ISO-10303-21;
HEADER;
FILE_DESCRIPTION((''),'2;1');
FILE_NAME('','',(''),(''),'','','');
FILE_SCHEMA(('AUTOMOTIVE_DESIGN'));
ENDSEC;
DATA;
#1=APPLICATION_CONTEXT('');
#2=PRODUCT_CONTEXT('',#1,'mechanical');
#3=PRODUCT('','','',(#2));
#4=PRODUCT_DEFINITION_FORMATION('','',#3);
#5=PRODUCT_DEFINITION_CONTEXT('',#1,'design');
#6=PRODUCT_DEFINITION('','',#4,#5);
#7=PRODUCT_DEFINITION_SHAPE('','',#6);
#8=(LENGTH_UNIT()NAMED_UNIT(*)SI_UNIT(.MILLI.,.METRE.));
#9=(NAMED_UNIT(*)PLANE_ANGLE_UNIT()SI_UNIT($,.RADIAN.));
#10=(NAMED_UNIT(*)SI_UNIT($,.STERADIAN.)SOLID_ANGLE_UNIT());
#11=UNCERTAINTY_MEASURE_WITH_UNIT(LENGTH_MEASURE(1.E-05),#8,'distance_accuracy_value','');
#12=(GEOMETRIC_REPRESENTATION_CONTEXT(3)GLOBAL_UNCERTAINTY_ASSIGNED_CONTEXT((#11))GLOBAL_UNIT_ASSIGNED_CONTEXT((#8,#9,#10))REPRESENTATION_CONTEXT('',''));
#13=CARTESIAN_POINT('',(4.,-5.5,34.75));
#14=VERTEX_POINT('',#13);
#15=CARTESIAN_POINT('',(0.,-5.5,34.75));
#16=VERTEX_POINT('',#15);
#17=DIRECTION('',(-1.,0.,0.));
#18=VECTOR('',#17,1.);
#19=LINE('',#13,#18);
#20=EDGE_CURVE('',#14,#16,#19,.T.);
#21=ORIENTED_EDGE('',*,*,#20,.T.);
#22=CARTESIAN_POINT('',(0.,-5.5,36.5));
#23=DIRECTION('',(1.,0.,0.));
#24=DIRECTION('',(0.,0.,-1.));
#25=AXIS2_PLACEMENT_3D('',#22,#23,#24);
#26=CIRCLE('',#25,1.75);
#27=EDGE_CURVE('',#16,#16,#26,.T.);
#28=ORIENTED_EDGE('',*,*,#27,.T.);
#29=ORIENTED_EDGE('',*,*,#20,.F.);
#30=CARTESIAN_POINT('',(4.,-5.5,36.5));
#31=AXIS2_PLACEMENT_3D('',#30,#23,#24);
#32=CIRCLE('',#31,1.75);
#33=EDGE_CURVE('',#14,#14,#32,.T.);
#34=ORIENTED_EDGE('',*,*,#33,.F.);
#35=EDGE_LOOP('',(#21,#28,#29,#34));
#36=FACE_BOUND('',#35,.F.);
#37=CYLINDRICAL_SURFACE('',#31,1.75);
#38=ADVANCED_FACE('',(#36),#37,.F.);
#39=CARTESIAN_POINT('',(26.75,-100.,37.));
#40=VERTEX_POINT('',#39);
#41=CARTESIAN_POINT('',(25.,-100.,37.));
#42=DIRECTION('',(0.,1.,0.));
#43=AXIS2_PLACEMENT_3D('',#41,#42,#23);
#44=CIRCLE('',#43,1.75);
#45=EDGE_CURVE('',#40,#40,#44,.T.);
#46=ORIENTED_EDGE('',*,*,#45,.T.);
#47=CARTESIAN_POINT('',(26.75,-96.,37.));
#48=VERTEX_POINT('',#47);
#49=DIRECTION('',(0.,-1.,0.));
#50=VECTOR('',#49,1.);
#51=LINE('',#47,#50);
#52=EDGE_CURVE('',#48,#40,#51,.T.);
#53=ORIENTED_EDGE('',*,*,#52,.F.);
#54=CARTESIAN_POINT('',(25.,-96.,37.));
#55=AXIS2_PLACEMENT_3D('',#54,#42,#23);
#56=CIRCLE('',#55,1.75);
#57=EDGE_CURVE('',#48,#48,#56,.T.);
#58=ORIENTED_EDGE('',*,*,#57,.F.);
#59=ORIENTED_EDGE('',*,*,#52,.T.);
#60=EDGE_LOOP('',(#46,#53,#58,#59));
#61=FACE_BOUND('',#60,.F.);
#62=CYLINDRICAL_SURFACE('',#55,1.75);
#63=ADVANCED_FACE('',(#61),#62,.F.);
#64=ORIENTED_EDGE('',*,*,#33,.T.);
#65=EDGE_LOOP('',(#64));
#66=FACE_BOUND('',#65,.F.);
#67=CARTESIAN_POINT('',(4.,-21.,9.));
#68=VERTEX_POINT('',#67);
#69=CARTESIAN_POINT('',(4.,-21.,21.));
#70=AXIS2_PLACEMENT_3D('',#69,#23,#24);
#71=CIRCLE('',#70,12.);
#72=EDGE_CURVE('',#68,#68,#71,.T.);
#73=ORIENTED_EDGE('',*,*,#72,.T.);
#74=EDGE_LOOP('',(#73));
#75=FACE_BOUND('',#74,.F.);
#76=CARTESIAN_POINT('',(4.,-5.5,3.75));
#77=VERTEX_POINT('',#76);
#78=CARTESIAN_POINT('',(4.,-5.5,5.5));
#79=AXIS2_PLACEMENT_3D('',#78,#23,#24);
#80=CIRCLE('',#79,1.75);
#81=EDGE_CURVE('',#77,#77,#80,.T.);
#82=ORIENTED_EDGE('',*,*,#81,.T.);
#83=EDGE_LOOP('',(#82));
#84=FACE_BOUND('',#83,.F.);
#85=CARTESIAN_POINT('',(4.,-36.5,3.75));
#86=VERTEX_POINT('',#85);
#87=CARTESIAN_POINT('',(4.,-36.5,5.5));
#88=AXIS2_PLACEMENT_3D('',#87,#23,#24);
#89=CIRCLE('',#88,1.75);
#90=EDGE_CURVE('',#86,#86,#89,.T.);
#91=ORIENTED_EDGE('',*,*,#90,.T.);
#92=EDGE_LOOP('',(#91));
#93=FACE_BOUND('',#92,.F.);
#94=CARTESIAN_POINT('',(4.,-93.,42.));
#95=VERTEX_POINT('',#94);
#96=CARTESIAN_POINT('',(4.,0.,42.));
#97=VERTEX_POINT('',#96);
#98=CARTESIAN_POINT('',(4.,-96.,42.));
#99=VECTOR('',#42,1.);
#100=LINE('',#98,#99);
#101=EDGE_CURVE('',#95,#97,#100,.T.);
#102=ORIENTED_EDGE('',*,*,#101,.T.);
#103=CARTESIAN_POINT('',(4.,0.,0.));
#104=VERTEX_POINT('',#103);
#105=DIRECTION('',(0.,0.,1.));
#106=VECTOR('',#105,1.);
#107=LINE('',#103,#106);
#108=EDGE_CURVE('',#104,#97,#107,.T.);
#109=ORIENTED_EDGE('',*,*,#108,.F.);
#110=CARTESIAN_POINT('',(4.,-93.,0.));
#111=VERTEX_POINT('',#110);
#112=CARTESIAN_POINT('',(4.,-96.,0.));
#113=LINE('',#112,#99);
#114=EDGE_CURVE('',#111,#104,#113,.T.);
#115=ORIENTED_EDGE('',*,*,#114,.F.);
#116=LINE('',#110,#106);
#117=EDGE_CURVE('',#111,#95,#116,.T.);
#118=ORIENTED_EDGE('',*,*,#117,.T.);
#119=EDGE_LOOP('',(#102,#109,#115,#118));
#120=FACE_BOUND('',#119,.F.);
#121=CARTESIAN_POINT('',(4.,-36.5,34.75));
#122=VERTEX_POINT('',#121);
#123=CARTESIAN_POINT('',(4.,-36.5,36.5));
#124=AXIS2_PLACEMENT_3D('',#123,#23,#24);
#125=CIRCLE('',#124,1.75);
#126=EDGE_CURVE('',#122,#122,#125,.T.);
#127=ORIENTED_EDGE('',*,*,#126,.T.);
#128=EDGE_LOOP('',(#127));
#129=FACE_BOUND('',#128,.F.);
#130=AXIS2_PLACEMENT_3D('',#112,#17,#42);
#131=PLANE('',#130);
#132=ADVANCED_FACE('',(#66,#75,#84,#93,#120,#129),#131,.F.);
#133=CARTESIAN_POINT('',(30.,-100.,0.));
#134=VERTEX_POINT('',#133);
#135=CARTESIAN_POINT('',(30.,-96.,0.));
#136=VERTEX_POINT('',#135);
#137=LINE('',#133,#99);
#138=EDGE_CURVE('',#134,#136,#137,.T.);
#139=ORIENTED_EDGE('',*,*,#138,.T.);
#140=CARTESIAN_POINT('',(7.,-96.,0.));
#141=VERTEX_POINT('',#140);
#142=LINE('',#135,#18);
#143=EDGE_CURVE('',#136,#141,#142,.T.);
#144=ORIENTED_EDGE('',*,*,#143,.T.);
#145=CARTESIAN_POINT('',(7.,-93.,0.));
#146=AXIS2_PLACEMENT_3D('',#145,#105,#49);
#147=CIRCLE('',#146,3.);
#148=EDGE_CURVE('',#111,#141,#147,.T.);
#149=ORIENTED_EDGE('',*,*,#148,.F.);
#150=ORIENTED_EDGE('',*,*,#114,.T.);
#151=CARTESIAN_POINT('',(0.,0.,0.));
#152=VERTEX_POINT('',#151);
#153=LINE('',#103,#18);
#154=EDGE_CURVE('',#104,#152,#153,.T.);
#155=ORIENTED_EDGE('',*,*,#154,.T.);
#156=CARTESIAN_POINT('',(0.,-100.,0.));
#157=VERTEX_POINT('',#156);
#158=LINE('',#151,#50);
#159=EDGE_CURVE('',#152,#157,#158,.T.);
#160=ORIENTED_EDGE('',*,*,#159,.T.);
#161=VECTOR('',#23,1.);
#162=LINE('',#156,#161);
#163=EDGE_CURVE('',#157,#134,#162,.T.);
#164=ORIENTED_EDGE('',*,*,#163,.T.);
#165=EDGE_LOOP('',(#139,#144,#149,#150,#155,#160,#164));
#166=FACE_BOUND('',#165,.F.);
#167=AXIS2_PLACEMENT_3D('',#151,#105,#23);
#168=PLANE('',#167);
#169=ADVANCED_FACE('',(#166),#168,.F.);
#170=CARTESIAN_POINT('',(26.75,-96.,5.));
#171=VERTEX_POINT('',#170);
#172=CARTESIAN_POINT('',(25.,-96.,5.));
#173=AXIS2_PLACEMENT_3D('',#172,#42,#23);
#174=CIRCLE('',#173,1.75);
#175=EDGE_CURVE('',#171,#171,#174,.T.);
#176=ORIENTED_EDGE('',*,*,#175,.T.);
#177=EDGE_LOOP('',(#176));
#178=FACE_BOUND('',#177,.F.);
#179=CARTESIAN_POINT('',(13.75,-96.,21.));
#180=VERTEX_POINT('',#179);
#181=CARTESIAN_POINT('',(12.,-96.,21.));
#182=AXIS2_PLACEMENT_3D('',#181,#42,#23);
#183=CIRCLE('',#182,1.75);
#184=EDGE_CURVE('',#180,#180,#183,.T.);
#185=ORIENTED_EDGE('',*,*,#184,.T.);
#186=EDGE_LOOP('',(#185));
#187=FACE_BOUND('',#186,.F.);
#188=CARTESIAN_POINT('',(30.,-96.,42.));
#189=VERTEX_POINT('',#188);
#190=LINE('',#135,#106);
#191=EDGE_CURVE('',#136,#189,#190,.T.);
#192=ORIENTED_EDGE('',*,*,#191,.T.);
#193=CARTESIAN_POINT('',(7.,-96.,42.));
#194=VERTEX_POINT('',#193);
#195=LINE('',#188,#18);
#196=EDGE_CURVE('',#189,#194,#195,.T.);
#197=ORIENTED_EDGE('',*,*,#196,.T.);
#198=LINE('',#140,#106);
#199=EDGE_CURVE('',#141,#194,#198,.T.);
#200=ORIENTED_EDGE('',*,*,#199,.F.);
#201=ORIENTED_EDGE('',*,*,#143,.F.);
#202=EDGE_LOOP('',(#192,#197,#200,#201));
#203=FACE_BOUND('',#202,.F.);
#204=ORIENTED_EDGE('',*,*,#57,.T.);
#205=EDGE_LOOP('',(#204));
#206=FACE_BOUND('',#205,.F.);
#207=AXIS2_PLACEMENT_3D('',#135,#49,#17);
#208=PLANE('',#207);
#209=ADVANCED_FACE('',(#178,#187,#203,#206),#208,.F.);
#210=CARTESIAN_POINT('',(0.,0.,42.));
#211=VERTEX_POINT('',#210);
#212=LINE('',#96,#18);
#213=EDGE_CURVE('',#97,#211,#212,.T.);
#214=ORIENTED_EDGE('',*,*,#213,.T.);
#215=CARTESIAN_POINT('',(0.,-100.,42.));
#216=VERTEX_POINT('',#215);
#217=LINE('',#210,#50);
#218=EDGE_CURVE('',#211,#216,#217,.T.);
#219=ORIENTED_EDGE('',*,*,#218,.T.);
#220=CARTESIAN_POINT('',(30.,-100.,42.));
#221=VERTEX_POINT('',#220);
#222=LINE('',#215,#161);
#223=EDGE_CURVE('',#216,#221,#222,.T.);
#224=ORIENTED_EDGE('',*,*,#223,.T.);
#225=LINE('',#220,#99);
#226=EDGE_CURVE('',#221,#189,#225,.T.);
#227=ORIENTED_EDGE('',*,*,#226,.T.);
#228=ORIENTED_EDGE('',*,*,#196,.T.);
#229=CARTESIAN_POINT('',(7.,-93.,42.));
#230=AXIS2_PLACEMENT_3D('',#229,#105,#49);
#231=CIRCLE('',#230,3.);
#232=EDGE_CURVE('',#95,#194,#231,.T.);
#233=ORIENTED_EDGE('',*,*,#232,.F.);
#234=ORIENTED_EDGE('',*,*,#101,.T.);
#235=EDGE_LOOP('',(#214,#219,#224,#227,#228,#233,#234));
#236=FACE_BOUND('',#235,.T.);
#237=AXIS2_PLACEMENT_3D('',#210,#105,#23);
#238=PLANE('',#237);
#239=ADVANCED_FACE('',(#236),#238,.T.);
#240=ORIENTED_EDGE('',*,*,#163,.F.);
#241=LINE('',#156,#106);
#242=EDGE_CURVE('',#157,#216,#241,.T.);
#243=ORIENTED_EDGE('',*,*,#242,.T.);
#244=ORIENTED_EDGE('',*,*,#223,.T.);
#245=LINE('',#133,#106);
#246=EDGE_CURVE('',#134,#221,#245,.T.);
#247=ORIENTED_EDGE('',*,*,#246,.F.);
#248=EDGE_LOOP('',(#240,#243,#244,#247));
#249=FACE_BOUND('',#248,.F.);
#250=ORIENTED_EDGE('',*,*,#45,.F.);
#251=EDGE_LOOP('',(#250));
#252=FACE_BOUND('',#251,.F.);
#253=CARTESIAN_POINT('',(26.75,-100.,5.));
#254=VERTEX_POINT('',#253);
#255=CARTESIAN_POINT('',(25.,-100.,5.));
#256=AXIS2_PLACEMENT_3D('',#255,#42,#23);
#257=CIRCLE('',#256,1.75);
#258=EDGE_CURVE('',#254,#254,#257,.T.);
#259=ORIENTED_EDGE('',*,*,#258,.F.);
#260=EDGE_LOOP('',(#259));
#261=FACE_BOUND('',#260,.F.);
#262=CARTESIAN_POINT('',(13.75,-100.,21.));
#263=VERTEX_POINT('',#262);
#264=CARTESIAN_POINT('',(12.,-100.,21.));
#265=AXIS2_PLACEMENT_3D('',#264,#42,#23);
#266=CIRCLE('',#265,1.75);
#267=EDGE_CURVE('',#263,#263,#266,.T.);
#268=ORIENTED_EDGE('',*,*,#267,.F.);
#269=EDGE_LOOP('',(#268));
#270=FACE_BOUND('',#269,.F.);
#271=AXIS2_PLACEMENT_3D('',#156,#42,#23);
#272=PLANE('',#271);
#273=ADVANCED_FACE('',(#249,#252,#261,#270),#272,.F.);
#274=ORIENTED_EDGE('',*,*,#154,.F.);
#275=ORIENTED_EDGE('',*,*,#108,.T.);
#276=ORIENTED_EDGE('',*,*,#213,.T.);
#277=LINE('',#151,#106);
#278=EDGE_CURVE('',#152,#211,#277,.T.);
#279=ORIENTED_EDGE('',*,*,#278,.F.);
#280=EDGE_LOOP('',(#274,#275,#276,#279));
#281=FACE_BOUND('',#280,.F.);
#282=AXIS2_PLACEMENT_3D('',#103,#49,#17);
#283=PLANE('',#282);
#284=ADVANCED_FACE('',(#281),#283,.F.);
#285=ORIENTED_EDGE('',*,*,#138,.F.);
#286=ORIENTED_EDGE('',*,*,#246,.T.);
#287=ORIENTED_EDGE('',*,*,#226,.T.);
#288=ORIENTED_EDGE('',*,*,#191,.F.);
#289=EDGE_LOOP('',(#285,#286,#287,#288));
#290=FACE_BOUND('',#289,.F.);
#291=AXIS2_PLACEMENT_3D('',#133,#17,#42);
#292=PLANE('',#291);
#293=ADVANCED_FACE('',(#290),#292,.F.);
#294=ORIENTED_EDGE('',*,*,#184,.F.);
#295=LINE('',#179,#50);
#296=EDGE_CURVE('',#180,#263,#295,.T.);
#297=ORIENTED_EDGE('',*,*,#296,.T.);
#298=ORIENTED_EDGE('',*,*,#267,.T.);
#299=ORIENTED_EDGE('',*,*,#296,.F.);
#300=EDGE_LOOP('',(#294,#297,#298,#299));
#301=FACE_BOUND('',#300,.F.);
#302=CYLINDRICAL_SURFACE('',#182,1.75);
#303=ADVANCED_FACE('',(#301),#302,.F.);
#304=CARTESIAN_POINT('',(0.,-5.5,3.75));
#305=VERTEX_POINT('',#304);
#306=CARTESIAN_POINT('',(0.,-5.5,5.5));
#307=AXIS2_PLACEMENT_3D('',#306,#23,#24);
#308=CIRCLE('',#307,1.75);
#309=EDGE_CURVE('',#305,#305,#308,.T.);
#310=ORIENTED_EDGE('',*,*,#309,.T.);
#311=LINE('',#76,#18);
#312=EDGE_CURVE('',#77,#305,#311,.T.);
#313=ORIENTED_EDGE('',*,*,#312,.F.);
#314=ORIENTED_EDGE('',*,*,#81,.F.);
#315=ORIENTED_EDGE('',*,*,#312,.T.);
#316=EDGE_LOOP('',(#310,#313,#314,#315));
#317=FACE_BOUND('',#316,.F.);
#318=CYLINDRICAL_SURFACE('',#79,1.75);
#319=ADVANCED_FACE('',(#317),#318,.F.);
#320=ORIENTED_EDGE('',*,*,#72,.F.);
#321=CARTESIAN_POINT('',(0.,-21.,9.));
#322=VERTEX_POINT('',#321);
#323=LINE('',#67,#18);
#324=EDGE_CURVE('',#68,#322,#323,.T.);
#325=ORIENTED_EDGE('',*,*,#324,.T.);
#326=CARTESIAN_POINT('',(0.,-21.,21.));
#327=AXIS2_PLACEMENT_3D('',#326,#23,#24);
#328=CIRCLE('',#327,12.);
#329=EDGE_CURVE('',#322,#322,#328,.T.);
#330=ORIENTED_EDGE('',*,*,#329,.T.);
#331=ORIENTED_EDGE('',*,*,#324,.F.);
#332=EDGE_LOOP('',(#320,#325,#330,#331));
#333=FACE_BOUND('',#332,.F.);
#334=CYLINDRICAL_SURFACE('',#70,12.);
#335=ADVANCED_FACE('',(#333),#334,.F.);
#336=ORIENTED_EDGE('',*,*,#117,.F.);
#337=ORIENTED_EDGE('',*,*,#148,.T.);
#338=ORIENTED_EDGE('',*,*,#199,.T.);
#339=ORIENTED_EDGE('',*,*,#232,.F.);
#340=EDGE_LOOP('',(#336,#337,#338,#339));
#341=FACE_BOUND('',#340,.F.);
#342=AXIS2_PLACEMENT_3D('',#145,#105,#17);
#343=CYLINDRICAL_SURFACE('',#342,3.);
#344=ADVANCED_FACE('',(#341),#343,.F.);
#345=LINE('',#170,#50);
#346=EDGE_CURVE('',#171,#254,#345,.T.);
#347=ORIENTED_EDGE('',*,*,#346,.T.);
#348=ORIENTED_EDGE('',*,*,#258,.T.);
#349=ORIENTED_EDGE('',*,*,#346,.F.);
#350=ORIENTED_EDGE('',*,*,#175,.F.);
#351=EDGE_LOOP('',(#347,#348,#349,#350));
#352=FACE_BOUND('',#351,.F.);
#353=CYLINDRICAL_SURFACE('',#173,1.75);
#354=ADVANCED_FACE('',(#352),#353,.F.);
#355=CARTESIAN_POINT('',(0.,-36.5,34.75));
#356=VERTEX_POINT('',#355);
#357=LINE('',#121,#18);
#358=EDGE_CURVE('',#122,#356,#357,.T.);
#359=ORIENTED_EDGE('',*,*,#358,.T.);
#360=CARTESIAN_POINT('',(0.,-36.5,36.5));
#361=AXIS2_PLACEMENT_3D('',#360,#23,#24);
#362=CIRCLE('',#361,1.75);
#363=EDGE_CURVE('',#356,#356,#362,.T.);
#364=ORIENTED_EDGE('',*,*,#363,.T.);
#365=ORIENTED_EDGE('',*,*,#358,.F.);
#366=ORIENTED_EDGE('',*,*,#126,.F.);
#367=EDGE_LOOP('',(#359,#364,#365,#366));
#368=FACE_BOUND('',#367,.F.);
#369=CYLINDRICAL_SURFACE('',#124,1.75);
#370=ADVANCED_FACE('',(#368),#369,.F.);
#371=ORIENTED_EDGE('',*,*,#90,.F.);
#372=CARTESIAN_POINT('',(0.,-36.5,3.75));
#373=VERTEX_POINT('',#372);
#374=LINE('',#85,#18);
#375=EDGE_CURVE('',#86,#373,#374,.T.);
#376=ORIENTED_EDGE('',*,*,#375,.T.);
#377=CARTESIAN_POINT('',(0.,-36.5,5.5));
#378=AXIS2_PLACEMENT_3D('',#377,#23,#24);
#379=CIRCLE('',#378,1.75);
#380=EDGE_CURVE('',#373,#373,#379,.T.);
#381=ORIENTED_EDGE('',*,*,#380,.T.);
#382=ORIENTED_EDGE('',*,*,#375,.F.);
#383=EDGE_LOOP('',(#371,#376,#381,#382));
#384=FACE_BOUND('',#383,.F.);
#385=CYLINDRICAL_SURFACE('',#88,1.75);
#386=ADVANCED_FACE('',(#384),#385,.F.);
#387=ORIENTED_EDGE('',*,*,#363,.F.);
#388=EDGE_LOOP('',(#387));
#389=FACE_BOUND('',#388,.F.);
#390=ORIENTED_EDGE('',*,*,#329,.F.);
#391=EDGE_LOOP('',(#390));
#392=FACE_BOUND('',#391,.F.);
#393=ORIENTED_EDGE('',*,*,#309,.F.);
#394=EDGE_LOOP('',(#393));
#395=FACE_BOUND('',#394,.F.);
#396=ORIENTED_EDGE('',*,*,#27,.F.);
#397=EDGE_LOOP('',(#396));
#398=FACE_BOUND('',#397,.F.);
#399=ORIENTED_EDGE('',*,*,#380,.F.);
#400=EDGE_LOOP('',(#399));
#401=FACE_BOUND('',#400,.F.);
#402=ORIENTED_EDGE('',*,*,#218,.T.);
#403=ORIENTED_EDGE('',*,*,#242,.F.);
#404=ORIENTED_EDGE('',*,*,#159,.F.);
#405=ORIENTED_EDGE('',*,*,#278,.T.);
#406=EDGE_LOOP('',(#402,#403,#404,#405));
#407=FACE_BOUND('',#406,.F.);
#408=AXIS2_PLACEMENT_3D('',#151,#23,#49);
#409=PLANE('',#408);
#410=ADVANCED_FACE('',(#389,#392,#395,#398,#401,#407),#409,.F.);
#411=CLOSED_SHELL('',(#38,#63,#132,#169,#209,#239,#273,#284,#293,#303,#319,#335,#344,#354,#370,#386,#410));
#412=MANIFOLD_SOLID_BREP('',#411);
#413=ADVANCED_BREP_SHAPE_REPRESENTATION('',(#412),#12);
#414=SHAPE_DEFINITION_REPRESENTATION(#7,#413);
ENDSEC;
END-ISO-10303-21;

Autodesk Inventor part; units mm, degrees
ref_plane "YZ Plane" through (0, 0, 0) normal (1, 0, 0) x (0, 1, 0)
ref_plane "XZ Plane" through (0, 0, 0) normal (0, 1, 0) x (-1, 0, 0)
ref_plane "XY Plane" through (0, 0, 0) normal (0, 0, 1) x (1, 0, 0)
sketch "Sketch1" plane through (0, 0, 0) normal (0, 0, 1) x (1, 0, 0)
  line L0 (0, 0) -> (0, -100)
  line L1 (0, -100) -> (30, -100)
  line L2 (30, -100) -> (30, -96)
  line L3 (30, -96) -> (4, -96)
  line L4 (4, -96) -> (4, 0)
  line L5 (4, 0) -> (0, 0)
  dimension "d0" = 100
  dimension "d1" = 30
  dimension "d2" = 4
  dimension "d3" = 26
extrude "Extrusion1" add sketch "Sketch1" along normal blind 42
sketch "Sketch2" plane through (4, -96, 0) normal (1, 0, 0) x (0, 0, -1)
  line L0 (-42, 96) -> (-42, -4) projected
  line L1 (0, 96) -> (0, -4) projected
  line L2 (-42, 96) -> (0, 96)
  line L3 (0, 96) -> (0, 0)
  line L4 (0, 0) -> (-42, 0)
  line L5 (-42, 0) -> (-42, 96)
  circle A0 centre (-36.5, 90.5) radius 1.75
  circle A1 centre (-5.5, 90.5) radius 1.75
  circle A2 centre (-36.5, 59.5) radius 1.75
  circle A3 centre (-5.5, 59.5) radius 1.75
  circle A4 centre (-21, 75) radius 12
  dimension "d6" = 96
  dimension "d7" = 3.5
  dimension "d8" = 5.5
  dimension "d9" = 5.5
  dimension "d10" = 3.5
  dimension "d11" = 5.5
  dimension "d12" = 5.5
  dimension "d14" = 3.5
  dimension "d15" = 3.5
  dimension "d16" = 31
  dimension "d17" = 31
  dimension "d18" = 5.5
  dimension "d19" = 5.5
  dimension "d20" = 24
  dimension "d21" = 21
  dimension "d22" = 15.5
extrude "Extrusion2" cut sketch "Sketch2" against normal blind 4 contours A0 | A1 | A2 | A3 | A4
sketch "Sketch3" plane through (4, -96, 0) normal (0, 1, 0) x (1, 0, 0)
  line L0 (-4, 0) -> (-4, -42) projected
  line L1 (26, 0) -> (26, -42) projected
  line L2 (-4, 0) -> (26, 0)
  line L3 (26, 0) -> (26, -42)
  line L4 (26, -42) -> (-4, -42)
  line L5 (-4, -42) -> (-4, 0)
  circle A0 centre (21, -5) radius 1.75
  circle A1 centre (21, -37) radius 1.75
  circle A2 centre (8, -21) radius 1.75
  dimension "d25" = 3.5
  dimension "d26" = 3.5
  dimension "d27" = 3.5
  dimension "d28" = 5
  dimension "d29" = 5
  dimension "d30" = 5
  dimension "d31" = 5
  dimension "d32" = 12
  dimension "d33" = 21
extrude "Extrusion3" cut sketch "Sketch3" against normal blind 4 contours A0 | A1 | A2
fillet "Fillet1" radius 3 1 edges at (4, -96, 21)
properties part number "Suporte Esquerdo"
